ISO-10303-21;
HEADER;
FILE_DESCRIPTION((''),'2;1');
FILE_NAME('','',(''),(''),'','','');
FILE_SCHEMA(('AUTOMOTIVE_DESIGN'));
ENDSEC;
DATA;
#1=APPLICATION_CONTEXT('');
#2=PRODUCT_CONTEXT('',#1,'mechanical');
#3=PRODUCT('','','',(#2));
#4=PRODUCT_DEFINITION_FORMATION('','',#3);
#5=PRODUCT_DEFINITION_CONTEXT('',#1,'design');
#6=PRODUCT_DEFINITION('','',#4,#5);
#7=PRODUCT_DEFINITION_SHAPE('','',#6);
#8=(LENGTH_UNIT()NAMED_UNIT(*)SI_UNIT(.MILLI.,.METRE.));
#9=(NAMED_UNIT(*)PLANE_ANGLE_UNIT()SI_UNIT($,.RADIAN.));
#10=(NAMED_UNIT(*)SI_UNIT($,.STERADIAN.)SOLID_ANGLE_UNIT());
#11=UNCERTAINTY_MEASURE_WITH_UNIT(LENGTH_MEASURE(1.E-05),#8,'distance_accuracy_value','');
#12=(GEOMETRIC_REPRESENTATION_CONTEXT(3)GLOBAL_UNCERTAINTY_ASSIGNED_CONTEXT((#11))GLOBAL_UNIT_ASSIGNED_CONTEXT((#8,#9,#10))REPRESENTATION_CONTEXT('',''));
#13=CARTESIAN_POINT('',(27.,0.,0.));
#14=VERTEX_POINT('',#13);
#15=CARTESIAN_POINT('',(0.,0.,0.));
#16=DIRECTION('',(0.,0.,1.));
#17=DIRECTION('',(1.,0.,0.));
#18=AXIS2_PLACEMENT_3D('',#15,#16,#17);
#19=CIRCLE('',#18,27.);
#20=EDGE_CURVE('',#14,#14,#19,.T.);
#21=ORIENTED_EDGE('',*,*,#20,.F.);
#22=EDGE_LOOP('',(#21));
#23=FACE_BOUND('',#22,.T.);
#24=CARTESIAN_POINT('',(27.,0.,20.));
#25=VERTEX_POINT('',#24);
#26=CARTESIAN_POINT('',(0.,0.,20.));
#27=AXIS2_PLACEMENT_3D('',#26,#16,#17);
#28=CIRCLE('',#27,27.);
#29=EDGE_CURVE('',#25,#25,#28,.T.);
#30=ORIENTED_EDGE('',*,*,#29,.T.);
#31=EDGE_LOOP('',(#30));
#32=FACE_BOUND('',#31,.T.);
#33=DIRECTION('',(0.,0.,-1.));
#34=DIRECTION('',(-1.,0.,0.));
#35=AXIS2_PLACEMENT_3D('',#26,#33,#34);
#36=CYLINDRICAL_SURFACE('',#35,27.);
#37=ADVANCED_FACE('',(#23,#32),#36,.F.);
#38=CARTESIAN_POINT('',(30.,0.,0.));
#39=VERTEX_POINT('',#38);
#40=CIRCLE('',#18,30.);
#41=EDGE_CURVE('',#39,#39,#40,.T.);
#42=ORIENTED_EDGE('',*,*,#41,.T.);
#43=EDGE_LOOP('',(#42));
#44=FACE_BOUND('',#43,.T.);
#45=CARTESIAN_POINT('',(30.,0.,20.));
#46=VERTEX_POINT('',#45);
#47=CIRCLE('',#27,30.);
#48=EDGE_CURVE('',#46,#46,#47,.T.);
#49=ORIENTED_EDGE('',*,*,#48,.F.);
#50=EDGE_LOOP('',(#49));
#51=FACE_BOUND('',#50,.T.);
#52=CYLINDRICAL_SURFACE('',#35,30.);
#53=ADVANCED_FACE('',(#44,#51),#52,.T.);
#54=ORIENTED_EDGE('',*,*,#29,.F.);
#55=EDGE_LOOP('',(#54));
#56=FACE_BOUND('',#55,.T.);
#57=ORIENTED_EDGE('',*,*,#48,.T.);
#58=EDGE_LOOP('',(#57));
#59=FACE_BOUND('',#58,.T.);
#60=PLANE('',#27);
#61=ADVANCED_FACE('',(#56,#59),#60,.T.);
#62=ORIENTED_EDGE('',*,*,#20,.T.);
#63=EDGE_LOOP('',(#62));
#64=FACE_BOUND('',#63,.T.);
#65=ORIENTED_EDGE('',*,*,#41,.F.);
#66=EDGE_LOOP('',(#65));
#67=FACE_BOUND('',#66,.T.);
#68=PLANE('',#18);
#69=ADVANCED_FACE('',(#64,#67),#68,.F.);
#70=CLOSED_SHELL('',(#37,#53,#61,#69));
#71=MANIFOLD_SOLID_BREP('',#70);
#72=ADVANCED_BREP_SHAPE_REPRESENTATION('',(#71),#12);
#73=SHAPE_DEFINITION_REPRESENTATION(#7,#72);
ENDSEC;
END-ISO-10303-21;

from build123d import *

# Parameters (mm, degrees)
SZKIC2_R                    = 30
SZKIC2_R_2                  = 27
DODANIE_WYCI_GNI_CIE1_DEPTH = 20


with BuildPart() as part:
    # Szkic2 → Dodanie-wyciągnięcie1 (new body)
    with BuildSketch(Plane.XY):
        Circle(SZKIC2_R)
        Circle(SZKIC2_R_2, mode=Mode.SUBTRACT)
    extrude(amount=DODANIE_WYCI_GNI_CIE1_DEPTH)


solid = part.part
